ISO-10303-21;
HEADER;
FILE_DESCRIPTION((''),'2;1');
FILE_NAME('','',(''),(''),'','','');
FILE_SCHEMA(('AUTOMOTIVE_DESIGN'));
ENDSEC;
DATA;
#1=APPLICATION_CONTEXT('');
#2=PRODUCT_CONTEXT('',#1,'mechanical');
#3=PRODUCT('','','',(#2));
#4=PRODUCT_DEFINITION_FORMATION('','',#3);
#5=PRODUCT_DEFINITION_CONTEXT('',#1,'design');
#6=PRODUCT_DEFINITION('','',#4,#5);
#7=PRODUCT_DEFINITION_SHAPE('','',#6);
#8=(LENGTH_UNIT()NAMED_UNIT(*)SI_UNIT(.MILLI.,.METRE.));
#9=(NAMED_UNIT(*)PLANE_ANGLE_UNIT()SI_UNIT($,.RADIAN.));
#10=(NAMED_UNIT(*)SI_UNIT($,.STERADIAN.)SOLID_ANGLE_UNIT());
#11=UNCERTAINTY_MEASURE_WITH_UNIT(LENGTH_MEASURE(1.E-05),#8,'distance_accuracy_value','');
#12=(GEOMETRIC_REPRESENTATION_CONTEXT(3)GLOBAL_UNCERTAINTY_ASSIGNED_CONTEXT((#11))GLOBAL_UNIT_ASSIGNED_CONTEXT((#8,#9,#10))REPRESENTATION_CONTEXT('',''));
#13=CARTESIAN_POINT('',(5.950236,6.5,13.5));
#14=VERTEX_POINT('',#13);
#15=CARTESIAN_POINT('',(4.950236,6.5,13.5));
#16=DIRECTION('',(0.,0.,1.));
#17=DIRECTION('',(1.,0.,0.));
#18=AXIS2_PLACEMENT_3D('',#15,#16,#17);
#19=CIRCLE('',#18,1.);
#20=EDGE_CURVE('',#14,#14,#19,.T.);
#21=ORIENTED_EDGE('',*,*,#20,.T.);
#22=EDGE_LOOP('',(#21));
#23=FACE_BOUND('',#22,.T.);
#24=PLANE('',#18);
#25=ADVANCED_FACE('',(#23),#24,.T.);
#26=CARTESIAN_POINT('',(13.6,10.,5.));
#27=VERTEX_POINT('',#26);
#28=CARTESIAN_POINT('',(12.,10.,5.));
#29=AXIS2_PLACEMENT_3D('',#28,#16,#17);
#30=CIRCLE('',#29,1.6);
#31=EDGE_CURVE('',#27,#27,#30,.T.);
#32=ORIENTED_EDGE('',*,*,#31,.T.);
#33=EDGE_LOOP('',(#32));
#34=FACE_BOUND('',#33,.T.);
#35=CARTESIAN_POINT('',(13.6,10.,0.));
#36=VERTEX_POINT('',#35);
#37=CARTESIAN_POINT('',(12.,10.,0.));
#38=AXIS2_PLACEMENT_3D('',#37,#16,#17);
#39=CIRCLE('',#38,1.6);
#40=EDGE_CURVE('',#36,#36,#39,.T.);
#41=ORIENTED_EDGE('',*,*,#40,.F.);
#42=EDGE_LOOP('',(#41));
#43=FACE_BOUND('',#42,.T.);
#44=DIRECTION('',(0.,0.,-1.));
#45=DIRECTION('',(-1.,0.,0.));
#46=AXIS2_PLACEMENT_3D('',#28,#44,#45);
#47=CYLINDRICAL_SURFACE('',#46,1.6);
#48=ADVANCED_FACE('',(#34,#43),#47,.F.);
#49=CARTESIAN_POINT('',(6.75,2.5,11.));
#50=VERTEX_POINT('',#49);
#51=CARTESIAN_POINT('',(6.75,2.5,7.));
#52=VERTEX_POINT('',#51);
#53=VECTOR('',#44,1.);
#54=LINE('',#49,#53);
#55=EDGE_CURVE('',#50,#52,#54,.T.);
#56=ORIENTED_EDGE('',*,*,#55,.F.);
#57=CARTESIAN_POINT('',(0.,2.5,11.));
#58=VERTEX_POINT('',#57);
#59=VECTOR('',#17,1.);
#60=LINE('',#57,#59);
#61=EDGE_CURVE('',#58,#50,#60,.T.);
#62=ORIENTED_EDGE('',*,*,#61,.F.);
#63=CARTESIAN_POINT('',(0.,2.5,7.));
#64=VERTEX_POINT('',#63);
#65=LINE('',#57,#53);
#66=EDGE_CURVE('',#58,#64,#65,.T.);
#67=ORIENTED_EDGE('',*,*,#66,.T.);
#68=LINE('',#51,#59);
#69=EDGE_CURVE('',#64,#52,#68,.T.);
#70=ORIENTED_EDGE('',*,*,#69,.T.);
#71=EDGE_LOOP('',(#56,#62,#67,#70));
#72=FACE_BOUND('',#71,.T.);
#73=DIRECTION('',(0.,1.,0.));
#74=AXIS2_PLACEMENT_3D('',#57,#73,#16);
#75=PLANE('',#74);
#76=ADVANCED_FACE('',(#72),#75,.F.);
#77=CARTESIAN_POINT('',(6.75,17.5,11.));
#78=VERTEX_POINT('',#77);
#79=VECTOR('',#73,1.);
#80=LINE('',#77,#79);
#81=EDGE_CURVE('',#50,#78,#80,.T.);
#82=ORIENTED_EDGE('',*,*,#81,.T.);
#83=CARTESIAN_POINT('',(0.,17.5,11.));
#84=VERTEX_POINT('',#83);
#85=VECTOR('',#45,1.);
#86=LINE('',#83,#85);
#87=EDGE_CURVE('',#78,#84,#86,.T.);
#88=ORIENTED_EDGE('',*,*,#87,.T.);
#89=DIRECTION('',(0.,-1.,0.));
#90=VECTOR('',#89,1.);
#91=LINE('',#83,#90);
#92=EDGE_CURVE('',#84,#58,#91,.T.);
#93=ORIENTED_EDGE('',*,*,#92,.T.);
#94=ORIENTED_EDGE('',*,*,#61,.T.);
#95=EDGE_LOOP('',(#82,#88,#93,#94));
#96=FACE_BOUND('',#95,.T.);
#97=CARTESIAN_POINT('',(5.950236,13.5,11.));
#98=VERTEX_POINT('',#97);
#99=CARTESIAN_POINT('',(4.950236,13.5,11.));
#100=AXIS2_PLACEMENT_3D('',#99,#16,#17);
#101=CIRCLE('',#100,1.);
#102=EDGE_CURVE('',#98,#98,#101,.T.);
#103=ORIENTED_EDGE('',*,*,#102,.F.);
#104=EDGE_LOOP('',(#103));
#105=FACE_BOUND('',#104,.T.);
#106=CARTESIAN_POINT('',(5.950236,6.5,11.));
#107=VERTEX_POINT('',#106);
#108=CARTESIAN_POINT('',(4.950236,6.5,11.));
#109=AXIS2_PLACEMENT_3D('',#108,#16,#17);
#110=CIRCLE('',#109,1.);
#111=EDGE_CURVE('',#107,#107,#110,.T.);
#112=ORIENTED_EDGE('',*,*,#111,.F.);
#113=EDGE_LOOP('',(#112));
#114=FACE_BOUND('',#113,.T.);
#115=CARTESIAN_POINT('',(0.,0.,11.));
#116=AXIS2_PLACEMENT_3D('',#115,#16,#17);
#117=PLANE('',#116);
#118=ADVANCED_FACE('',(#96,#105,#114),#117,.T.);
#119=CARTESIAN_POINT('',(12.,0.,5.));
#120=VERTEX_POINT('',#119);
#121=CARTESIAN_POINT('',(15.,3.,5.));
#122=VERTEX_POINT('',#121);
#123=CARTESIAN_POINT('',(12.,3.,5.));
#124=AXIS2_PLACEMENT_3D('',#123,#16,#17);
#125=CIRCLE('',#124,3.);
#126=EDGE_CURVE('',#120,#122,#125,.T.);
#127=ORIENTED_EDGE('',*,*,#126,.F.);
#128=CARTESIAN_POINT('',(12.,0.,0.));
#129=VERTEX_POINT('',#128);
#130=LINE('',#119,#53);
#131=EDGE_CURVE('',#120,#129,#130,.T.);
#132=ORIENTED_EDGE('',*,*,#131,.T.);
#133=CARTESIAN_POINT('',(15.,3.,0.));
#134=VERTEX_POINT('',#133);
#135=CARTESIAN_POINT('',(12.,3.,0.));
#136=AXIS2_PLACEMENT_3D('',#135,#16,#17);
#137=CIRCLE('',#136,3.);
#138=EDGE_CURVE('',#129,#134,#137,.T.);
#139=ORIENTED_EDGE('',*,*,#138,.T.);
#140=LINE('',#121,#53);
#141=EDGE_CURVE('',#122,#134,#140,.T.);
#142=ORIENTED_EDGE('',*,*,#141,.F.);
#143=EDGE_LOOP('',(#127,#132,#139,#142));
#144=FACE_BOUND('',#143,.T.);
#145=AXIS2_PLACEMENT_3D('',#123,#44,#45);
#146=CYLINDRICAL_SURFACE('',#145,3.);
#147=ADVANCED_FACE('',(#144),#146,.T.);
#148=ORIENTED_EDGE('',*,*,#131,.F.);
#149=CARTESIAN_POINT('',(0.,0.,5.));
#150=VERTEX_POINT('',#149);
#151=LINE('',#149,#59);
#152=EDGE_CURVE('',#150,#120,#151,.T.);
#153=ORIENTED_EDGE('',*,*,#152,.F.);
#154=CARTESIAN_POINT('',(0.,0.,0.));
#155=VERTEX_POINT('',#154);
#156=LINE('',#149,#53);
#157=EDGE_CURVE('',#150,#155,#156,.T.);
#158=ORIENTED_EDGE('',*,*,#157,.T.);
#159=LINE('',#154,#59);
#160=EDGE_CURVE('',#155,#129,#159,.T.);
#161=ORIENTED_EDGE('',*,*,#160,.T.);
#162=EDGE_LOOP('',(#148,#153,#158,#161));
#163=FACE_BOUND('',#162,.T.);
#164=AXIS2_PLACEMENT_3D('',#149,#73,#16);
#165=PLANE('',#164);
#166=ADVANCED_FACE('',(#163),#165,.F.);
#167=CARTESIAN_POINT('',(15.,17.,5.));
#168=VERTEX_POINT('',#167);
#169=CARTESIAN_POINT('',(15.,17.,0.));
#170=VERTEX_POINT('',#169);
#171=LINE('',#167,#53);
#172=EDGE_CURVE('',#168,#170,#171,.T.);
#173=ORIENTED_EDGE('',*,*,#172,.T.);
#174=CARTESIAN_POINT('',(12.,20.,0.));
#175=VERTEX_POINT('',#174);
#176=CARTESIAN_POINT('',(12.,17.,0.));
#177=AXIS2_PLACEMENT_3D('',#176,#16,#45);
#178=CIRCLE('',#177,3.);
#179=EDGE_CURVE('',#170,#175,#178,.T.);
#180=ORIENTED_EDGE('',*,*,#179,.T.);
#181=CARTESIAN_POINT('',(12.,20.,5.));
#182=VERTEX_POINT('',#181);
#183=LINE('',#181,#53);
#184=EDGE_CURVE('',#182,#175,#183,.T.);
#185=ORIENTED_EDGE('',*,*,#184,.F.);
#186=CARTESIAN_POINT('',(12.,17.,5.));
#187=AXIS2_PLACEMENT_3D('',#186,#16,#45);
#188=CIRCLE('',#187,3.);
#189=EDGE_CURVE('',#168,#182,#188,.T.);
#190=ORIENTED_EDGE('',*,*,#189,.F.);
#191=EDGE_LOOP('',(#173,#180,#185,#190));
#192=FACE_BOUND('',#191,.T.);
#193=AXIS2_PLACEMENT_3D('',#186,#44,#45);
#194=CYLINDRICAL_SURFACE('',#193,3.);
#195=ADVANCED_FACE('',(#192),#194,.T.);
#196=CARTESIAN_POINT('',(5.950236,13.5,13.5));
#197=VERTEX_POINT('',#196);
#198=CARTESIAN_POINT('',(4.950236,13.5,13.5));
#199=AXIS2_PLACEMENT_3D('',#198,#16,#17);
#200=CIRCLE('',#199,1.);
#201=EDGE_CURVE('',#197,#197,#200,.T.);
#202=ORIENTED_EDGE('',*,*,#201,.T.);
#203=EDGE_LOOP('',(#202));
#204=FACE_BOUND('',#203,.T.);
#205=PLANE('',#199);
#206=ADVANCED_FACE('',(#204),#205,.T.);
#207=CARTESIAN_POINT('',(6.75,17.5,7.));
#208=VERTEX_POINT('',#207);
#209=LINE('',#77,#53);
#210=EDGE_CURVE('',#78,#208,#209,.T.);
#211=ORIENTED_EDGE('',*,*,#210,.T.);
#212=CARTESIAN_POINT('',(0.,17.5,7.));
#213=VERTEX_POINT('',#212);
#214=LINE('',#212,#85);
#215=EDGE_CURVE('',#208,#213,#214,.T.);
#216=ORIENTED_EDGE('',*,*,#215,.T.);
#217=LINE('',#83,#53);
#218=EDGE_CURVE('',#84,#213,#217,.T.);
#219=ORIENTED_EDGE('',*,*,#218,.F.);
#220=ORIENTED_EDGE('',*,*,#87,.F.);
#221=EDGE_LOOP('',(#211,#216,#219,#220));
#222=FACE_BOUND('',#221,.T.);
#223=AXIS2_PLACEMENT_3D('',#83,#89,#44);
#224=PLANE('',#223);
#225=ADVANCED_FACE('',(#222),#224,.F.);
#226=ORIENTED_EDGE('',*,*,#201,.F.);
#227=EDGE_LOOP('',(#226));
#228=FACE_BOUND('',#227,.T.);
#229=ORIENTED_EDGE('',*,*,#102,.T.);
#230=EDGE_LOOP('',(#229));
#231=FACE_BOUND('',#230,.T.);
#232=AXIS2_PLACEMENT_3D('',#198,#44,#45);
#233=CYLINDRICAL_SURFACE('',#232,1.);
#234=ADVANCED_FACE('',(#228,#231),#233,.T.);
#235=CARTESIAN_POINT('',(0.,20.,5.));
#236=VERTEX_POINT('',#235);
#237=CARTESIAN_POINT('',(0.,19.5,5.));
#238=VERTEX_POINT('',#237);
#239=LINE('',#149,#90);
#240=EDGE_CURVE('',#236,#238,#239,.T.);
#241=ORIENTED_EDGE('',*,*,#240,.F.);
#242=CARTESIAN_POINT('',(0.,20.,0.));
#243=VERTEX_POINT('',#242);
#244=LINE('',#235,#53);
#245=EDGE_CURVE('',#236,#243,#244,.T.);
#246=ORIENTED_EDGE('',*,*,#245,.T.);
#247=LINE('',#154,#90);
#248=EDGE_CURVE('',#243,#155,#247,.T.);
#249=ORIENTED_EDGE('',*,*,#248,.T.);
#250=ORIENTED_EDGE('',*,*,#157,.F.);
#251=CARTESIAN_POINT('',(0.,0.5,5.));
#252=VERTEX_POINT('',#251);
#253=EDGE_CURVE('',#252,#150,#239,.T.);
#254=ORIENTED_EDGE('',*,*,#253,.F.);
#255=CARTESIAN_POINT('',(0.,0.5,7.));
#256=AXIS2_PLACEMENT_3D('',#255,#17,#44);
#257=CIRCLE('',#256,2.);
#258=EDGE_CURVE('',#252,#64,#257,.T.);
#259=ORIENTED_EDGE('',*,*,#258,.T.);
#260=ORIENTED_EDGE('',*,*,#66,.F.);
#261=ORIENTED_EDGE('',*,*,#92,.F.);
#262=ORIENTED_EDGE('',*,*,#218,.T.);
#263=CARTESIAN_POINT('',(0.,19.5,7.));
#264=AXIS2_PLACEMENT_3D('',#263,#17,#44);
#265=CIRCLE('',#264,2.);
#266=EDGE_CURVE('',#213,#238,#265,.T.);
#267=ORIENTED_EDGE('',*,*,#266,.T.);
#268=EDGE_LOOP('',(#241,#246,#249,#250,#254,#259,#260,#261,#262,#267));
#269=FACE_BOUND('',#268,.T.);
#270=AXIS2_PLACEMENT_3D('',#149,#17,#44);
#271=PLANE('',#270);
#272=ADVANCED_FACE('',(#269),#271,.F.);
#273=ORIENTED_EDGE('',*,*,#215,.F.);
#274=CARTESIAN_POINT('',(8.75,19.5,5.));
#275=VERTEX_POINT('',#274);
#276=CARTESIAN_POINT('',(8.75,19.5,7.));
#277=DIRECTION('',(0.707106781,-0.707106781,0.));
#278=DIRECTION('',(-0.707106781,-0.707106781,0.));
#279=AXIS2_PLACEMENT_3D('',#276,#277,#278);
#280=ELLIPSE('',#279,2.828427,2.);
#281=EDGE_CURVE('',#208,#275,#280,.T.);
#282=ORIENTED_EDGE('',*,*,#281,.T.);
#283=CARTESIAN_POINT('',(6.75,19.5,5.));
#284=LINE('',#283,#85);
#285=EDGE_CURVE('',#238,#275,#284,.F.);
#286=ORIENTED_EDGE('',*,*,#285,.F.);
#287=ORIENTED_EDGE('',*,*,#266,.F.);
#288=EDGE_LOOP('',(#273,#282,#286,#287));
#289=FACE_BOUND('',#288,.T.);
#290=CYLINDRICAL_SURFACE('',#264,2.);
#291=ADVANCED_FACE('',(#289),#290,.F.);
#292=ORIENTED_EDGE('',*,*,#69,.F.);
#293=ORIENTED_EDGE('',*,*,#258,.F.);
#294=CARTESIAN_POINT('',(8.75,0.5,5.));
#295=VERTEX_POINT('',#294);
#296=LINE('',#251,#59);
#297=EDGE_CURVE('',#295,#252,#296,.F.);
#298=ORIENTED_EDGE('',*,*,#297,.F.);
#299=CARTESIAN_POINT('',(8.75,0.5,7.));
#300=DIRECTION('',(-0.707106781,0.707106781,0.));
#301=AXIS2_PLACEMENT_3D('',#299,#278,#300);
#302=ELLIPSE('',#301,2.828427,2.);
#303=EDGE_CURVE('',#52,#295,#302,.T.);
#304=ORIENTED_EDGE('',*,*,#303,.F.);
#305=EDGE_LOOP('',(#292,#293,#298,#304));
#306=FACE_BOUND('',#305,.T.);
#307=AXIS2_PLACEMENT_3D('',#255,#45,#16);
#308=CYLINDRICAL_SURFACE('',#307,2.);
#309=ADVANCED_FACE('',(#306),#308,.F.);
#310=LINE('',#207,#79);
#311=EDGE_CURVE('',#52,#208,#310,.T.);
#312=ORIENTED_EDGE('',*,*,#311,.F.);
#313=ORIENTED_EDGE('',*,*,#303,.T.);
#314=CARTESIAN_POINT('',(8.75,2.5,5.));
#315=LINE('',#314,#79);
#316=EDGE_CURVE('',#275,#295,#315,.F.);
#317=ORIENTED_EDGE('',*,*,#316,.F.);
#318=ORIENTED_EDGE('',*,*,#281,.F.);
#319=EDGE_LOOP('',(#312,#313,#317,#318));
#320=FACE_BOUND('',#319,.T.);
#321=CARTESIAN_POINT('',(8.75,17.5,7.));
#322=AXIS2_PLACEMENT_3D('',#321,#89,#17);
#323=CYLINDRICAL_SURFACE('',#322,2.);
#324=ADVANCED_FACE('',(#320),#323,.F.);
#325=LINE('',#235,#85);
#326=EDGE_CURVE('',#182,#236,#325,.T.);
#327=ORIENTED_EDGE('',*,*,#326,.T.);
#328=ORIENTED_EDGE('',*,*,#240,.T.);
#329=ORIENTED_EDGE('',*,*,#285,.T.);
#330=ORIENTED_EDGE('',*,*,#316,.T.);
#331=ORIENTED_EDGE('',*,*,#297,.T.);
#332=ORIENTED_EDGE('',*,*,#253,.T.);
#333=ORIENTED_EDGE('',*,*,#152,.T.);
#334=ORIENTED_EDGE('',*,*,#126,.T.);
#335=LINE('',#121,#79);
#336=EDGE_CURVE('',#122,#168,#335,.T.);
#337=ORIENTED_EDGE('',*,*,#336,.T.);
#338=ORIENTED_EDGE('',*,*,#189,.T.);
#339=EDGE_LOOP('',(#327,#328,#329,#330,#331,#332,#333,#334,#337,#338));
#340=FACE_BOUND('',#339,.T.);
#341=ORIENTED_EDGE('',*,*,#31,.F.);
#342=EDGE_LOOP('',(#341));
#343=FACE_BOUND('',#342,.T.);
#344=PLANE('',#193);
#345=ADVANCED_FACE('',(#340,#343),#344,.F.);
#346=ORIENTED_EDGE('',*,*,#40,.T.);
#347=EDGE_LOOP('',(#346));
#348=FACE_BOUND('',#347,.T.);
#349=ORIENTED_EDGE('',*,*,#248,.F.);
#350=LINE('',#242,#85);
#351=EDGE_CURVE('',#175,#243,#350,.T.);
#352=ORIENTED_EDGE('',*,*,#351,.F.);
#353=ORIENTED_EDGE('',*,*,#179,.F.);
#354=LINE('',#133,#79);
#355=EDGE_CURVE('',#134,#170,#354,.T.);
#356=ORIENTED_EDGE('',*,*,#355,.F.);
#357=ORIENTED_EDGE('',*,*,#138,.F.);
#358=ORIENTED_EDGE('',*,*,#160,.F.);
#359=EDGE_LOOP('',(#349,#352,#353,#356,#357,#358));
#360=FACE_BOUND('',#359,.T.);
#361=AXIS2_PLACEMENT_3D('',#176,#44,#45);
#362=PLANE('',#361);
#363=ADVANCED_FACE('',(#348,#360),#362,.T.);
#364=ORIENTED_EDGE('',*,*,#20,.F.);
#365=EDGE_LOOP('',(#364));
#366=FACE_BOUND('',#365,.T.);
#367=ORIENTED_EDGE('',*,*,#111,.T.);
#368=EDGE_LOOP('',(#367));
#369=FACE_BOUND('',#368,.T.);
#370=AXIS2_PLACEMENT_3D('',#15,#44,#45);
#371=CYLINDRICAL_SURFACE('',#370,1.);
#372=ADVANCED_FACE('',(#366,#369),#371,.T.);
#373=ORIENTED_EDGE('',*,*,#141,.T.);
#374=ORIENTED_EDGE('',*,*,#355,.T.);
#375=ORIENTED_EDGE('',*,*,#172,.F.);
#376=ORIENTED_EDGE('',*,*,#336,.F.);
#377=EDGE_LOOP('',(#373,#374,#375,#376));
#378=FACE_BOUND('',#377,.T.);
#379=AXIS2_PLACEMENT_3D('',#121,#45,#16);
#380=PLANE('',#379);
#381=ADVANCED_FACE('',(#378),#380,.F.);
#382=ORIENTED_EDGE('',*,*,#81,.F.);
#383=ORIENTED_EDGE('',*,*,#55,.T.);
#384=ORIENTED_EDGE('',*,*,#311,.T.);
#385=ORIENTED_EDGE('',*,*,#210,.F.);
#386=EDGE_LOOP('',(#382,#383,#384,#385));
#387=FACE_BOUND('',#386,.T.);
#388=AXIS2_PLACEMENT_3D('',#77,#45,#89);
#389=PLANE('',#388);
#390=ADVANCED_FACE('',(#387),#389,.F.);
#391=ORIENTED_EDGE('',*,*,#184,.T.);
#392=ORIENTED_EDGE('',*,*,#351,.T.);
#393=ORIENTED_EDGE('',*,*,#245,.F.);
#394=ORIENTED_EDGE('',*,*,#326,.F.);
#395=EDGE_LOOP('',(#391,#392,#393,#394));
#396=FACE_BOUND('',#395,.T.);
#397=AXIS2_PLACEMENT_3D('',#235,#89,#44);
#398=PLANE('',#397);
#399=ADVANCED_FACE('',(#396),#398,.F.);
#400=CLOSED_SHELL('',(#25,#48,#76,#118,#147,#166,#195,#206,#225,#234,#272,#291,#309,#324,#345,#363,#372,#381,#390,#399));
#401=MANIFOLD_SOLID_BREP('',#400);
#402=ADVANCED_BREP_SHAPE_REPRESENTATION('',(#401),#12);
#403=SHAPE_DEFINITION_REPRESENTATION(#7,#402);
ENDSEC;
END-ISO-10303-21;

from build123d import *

# Parameters (mm, degrees)
CROQUIS1_R              = 1.6
SALIENTE_EXTRUIR1_DEPTH = 5
CROQUIS2_W              = 6.75
CROQUIS2_H              = 15
SALIENTE_EXTRUIR2_DEPTH = 6
REDONDEO1_R             = 2
CROQUIS3_R              = 1
SALIENTE_EXTRUIR3_DEPTH = 2.5


with BuildPart() as part:
    # Croquis1 → Saliente-Extruir1 (new body)
    with BuildSketch(Plane.XY):
        with BuildLine():
            Line((0, 0), (12, 0))
            ThreePointArc((12, 0), (14.121320344, 0.878679656), (15, 3))
            Line((15, 3), (15, 17))
            ThreePointArc((15, 17), (14.121320344, 19.121320344), (12, 20))
            Line((12, 20), (0, 20))
            Line((0, 20), (0, 0))
        make_face()
        with Locations((12, 10)):
            Circle(CROQUIS1_R, mode=Mode.SUBTRACT)
    extrude(amount=SALIENTE_EXTRUIR1_DEPTH)

    # Croquis2 → Saliente-Extruir2 (add)
    with BuildSketch(Plane.XY.offset(5)):
        with Locations((3.375, 10)):
            Rectangle(CROQUIS2_W, CROQUIS2_H)
    extrude(amount=SALIENTE_EXTRUIR2_DEPTH)

    # Redondeo1
    redondeo1_edges = [part.edges().sort_by_distance(p)[0] for p in [
        (3.375, 2.5, 5),
        (6.75, 10, 5),
        (3.375, 17.5, 5),
    ]]
    fillet(redondeo1_edges, radius=REDONDEO1_R)

    # Croquis3 → Saliente-Extruir3 (add)
    with BuildSketch(Plane.XY.offset(11)):
        with Locations((4.95023571, 13.5)):
            Circle(CROQUIS3_R)
        with Locations((4.95023571, 6.5)):
            Circle(CROQUIS3_R)
    extrude(amount=SALIENTE_EXTRUIR3_DEPTH)


solid = part.part
